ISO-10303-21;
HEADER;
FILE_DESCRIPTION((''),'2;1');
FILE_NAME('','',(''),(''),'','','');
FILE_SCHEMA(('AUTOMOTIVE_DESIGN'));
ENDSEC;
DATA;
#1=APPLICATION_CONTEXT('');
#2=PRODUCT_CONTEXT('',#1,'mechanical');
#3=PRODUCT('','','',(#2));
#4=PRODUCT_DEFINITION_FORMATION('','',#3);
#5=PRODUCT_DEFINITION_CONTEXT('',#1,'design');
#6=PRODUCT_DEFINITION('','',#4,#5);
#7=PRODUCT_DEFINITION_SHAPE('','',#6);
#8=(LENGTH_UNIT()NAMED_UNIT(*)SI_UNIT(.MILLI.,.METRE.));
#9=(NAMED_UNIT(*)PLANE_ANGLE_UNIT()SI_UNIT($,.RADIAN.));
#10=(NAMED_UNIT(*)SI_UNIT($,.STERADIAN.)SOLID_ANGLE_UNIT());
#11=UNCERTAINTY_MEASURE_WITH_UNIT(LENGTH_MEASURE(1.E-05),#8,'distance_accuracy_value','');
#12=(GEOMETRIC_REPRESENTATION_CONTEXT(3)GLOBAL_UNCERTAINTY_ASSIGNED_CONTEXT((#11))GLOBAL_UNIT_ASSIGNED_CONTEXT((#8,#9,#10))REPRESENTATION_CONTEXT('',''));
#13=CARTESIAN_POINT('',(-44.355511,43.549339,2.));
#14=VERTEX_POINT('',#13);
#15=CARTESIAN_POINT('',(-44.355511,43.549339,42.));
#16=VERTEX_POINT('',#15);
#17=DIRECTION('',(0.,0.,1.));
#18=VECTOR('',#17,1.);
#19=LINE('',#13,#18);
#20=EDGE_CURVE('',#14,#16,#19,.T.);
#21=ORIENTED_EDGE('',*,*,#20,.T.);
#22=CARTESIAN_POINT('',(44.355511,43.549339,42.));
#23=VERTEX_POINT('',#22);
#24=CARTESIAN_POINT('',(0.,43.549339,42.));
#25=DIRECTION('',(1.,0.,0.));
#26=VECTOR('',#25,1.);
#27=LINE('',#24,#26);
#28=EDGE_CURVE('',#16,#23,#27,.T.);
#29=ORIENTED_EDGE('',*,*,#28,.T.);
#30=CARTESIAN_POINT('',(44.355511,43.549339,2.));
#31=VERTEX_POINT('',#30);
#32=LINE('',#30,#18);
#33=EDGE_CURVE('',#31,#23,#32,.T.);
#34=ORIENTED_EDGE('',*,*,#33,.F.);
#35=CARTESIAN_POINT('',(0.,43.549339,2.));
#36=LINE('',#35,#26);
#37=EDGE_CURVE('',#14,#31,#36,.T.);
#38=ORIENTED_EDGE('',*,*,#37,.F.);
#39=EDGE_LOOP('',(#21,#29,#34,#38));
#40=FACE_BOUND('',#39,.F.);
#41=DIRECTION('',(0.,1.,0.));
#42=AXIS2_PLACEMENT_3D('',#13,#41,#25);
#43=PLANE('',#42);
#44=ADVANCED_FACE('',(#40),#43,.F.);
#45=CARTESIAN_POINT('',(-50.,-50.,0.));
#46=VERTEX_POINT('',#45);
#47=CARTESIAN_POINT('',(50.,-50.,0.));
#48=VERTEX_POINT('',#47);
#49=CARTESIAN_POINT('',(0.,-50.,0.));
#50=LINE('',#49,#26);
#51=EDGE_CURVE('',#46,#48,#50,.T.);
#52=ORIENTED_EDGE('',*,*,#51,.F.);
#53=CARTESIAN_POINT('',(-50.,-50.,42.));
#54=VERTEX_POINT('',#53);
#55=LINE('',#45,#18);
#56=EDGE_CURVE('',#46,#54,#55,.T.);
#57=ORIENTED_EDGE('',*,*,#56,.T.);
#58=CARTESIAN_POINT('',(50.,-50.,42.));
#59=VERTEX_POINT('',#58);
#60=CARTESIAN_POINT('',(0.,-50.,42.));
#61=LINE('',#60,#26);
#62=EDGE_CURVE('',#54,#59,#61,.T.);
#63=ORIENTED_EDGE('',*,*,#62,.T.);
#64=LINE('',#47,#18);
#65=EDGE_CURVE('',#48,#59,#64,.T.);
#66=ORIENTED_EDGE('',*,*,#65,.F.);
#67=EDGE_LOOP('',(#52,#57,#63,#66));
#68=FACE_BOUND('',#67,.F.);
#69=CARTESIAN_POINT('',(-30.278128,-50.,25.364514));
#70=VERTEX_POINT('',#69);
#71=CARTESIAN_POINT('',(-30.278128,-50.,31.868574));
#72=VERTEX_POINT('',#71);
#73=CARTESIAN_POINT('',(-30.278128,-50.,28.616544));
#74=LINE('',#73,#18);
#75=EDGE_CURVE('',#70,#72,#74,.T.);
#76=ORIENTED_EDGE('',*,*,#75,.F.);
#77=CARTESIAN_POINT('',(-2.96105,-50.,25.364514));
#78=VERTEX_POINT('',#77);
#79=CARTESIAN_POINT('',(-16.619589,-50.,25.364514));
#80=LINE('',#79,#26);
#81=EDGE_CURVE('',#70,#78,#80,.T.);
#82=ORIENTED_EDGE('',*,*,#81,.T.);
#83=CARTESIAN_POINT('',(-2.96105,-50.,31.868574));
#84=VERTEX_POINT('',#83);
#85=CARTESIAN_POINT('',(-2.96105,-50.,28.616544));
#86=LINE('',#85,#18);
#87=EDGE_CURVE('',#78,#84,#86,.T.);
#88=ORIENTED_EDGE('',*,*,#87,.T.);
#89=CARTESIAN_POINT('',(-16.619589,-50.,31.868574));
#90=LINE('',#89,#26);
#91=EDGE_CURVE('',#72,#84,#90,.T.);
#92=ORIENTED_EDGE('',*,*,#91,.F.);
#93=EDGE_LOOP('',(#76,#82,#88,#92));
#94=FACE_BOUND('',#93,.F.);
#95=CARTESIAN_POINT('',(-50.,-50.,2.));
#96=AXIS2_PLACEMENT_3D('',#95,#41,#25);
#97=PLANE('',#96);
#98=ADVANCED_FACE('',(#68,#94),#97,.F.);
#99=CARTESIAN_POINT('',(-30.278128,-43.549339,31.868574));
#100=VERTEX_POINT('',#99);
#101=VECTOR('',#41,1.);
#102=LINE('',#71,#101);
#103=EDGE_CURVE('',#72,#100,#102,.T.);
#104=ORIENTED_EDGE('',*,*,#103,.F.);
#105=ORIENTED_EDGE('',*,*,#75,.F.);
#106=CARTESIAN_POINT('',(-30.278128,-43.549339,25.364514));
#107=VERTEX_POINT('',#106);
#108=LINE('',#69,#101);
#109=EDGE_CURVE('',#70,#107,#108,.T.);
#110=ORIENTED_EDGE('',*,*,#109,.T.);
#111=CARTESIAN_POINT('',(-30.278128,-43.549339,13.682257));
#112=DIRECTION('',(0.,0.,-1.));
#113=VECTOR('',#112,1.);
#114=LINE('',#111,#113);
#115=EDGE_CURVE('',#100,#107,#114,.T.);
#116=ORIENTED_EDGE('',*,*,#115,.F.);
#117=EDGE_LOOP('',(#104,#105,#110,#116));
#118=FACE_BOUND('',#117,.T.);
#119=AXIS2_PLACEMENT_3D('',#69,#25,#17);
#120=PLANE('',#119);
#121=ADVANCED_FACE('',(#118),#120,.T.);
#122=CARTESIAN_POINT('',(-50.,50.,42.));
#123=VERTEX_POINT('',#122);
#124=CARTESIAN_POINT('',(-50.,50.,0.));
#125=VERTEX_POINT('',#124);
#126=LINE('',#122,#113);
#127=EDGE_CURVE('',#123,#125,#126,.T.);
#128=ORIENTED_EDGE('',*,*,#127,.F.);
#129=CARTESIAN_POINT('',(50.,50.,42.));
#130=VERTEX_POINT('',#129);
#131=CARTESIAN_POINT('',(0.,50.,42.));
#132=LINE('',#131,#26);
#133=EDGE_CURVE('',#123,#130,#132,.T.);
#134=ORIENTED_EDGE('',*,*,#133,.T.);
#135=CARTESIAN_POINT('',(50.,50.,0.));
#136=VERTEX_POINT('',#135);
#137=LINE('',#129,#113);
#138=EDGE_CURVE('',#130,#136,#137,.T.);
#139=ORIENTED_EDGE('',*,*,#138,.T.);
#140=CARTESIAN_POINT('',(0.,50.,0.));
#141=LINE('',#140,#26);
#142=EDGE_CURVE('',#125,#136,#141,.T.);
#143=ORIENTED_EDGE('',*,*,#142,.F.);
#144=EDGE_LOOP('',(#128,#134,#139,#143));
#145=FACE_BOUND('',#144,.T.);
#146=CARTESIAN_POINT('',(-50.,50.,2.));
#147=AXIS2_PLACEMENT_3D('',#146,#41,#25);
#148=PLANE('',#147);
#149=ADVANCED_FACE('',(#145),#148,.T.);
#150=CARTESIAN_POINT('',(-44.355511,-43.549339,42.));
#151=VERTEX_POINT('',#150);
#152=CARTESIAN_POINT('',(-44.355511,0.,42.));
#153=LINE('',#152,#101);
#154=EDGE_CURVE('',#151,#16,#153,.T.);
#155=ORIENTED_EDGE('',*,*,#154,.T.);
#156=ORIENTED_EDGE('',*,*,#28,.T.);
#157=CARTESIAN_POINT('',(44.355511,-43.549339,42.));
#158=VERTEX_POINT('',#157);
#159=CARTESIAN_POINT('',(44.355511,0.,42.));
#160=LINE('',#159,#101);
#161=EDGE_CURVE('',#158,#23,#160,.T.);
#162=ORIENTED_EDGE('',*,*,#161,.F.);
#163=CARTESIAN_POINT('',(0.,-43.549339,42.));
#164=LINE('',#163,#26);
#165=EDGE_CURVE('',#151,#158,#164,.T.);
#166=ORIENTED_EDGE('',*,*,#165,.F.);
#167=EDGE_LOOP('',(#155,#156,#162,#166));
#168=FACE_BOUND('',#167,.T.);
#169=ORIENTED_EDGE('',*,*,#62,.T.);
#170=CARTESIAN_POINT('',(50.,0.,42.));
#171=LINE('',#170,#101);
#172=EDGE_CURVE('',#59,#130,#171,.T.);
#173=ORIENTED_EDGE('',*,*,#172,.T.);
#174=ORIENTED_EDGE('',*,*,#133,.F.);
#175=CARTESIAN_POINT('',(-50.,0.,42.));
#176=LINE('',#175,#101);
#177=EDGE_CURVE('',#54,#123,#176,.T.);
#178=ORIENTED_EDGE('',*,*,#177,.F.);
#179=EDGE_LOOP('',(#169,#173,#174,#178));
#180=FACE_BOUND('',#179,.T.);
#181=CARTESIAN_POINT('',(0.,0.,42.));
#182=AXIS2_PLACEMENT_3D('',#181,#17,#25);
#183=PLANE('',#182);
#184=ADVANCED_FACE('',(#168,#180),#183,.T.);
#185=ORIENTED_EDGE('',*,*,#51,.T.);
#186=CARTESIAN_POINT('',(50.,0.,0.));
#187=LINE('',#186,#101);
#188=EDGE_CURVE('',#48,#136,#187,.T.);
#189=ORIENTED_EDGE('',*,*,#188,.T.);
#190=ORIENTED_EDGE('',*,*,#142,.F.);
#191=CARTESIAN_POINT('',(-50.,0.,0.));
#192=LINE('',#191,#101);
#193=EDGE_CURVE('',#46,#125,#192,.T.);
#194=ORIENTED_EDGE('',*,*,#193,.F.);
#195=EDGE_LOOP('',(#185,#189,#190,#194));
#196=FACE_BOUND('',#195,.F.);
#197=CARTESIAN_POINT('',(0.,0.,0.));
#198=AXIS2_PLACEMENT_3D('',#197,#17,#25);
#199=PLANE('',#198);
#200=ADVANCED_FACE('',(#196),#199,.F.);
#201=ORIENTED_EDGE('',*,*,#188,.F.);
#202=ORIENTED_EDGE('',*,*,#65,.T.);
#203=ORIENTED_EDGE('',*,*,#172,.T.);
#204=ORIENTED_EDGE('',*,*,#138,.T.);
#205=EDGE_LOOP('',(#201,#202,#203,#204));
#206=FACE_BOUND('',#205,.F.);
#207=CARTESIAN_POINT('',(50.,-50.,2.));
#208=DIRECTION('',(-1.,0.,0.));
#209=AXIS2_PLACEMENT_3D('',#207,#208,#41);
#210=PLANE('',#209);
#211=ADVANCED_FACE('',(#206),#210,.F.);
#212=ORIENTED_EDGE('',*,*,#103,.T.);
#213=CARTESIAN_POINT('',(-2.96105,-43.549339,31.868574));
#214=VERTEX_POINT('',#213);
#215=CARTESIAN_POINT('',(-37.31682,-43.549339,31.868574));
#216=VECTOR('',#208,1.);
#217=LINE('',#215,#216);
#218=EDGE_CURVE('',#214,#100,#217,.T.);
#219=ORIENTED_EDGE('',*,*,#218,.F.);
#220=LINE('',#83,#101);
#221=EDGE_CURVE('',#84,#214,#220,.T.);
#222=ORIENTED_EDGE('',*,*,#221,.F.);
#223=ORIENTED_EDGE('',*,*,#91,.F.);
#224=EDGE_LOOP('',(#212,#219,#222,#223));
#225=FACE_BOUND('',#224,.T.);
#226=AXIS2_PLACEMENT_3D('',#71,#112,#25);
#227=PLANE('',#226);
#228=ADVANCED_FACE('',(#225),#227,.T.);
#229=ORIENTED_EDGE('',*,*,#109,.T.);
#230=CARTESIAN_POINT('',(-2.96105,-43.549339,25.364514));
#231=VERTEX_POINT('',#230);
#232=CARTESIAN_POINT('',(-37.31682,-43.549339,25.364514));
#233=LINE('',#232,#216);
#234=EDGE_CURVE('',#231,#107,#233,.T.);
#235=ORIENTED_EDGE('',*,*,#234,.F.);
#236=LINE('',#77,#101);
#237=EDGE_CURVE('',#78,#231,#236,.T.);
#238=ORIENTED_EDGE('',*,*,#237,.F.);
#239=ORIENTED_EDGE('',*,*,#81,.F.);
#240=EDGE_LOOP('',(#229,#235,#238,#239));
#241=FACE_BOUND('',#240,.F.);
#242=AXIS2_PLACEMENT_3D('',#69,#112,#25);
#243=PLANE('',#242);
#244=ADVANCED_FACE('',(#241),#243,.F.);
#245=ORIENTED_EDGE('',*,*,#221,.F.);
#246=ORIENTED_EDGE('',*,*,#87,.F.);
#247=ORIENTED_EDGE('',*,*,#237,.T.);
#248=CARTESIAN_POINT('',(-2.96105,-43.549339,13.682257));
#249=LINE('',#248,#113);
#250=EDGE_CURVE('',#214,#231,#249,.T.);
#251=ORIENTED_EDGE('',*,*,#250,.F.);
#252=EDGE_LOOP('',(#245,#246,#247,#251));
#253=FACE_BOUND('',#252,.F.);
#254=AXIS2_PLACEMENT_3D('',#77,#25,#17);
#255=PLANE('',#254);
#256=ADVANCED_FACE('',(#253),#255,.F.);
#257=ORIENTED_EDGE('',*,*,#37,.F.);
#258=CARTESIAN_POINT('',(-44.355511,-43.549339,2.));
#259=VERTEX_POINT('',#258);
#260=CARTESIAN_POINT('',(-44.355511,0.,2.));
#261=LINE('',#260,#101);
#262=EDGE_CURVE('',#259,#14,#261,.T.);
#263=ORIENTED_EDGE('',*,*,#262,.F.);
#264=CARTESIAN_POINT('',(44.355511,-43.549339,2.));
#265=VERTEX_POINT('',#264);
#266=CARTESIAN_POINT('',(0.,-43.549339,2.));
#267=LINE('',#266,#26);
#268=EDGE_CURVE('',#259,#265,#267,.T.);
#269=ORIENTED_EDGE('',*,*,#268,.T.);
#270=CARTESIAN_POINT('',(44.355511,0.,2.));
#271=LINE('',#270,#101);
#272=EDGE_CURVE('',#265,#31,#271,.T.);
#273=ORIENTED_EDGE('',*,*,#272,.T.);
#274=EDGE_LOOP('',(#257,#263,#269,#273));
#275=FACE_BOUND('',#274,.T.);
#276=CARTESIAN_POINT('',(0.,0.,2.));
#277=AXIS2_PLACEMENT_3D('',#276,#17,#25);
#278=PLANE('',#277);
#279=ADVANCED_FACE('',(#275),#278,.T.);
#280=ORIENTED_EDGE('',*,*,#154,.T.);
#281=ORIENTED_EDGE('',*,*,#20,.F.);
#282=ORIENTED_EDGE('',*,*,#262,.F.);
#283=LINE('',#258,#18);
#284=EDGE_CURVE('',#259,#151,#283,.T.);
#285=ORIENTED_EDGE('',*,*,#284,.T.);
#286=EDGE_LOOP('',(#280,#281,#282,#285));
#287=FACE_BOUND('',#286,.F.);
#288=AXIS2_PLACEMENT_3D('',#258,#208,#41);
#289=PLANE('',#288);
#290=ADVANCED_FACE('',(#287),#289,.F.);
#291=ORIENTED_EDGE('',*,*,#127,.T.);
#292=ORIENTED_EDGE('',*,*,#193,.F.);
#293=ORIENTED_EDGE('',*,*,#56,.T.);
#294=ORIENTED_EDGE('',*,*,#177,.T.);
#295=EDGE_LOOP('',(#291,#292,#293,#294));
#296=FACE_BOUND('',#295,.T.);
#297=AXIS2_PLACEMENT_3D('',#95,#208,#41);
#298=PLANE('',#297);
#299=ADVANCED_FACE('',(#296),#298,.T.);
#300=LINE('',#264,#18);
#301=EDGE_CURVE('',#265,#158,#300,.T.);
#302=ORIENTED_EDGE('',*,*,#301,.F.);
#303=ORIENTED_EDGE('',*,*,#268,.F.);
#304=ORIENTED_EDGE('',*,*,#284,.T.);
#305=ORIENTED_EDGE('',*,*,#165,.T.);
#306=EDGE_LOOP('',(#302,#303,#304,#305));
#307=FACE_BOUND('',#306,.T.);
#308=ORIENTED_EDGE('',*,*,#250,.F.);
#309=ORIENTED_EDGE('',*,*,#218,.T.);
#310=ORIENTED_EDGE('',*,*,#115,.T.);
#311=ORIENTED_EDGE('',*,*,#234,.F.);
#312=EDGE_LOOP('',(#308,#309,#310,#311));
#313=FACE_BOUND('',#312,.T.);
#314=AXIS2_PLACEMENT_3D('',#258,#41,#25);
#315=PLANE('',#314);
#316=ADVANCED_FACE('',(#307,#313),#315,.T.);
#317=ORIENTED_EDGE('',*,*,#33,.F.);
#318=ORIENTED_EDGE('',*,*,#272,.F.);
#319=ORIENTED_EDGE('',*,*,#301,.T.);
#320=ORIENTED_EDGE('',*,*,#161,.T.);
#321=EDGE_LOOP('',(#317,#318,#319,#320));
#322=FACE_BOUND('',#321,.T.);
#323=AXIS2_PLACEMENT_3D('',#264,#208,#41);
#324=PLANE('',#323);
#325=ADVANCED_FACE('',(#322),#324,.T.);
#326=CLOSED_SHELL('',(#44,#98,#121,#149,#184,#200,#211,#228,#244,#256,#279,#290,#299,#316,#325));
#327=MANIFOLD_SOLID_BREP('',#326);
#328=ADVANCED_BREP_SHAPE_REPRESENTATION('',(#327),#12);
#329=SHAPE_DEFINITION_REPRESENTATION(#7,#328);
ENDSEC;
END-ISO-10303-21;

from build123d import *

# Parameters (mm, degrees)
SKETCH_W      = 100
SKETCH_H      = 100
PAD_DEPTH     = 2
SKETCH002_W   = 100
SKETCH002_H   = 100
SKETCH002_W_2 = 88.711022
SKETCH002_H_2 = 87.098678
PAD001_DEPTH  = 40
SKETCH003_W   = 27.317078
SKETCH003_H   = 6.504059
POCKET_DEPTH  = 7


with BuildPart() as part:
    # Sketch → Pad (new body)
    with BuildSketch(Plane.XY):
        Rectangle(SKETCH_W, SKETCH_H)
    extrude(amount=PAD_DEPTH)

    # Sketch002 (on Face6 of Pad) → Pad001 (join)
    with BuildSketch(Plane.XY.offset(2)):
        Rectangle(SKETCH002_W, SKETCH002_H)
        Rectangle(SKETCH002_W_2, SKETCH002_H_2, mode=Mode.SUBTRACT)
    extrude(amount=PAD001_DEPTH)

    # Sketch003 (on Face8 of Pad001) → Pocket (cut)
    with BuildSketch(Plane.XZ.offset(50)):
        with Locations((-16.619589, 28.616544)):
            Rectangle(SKETCH003_W, SKETCH003_H)
    extrude(amount=-POCKET_DEPTH, mode=Mode.SUBTRACT)


solid = part.part
